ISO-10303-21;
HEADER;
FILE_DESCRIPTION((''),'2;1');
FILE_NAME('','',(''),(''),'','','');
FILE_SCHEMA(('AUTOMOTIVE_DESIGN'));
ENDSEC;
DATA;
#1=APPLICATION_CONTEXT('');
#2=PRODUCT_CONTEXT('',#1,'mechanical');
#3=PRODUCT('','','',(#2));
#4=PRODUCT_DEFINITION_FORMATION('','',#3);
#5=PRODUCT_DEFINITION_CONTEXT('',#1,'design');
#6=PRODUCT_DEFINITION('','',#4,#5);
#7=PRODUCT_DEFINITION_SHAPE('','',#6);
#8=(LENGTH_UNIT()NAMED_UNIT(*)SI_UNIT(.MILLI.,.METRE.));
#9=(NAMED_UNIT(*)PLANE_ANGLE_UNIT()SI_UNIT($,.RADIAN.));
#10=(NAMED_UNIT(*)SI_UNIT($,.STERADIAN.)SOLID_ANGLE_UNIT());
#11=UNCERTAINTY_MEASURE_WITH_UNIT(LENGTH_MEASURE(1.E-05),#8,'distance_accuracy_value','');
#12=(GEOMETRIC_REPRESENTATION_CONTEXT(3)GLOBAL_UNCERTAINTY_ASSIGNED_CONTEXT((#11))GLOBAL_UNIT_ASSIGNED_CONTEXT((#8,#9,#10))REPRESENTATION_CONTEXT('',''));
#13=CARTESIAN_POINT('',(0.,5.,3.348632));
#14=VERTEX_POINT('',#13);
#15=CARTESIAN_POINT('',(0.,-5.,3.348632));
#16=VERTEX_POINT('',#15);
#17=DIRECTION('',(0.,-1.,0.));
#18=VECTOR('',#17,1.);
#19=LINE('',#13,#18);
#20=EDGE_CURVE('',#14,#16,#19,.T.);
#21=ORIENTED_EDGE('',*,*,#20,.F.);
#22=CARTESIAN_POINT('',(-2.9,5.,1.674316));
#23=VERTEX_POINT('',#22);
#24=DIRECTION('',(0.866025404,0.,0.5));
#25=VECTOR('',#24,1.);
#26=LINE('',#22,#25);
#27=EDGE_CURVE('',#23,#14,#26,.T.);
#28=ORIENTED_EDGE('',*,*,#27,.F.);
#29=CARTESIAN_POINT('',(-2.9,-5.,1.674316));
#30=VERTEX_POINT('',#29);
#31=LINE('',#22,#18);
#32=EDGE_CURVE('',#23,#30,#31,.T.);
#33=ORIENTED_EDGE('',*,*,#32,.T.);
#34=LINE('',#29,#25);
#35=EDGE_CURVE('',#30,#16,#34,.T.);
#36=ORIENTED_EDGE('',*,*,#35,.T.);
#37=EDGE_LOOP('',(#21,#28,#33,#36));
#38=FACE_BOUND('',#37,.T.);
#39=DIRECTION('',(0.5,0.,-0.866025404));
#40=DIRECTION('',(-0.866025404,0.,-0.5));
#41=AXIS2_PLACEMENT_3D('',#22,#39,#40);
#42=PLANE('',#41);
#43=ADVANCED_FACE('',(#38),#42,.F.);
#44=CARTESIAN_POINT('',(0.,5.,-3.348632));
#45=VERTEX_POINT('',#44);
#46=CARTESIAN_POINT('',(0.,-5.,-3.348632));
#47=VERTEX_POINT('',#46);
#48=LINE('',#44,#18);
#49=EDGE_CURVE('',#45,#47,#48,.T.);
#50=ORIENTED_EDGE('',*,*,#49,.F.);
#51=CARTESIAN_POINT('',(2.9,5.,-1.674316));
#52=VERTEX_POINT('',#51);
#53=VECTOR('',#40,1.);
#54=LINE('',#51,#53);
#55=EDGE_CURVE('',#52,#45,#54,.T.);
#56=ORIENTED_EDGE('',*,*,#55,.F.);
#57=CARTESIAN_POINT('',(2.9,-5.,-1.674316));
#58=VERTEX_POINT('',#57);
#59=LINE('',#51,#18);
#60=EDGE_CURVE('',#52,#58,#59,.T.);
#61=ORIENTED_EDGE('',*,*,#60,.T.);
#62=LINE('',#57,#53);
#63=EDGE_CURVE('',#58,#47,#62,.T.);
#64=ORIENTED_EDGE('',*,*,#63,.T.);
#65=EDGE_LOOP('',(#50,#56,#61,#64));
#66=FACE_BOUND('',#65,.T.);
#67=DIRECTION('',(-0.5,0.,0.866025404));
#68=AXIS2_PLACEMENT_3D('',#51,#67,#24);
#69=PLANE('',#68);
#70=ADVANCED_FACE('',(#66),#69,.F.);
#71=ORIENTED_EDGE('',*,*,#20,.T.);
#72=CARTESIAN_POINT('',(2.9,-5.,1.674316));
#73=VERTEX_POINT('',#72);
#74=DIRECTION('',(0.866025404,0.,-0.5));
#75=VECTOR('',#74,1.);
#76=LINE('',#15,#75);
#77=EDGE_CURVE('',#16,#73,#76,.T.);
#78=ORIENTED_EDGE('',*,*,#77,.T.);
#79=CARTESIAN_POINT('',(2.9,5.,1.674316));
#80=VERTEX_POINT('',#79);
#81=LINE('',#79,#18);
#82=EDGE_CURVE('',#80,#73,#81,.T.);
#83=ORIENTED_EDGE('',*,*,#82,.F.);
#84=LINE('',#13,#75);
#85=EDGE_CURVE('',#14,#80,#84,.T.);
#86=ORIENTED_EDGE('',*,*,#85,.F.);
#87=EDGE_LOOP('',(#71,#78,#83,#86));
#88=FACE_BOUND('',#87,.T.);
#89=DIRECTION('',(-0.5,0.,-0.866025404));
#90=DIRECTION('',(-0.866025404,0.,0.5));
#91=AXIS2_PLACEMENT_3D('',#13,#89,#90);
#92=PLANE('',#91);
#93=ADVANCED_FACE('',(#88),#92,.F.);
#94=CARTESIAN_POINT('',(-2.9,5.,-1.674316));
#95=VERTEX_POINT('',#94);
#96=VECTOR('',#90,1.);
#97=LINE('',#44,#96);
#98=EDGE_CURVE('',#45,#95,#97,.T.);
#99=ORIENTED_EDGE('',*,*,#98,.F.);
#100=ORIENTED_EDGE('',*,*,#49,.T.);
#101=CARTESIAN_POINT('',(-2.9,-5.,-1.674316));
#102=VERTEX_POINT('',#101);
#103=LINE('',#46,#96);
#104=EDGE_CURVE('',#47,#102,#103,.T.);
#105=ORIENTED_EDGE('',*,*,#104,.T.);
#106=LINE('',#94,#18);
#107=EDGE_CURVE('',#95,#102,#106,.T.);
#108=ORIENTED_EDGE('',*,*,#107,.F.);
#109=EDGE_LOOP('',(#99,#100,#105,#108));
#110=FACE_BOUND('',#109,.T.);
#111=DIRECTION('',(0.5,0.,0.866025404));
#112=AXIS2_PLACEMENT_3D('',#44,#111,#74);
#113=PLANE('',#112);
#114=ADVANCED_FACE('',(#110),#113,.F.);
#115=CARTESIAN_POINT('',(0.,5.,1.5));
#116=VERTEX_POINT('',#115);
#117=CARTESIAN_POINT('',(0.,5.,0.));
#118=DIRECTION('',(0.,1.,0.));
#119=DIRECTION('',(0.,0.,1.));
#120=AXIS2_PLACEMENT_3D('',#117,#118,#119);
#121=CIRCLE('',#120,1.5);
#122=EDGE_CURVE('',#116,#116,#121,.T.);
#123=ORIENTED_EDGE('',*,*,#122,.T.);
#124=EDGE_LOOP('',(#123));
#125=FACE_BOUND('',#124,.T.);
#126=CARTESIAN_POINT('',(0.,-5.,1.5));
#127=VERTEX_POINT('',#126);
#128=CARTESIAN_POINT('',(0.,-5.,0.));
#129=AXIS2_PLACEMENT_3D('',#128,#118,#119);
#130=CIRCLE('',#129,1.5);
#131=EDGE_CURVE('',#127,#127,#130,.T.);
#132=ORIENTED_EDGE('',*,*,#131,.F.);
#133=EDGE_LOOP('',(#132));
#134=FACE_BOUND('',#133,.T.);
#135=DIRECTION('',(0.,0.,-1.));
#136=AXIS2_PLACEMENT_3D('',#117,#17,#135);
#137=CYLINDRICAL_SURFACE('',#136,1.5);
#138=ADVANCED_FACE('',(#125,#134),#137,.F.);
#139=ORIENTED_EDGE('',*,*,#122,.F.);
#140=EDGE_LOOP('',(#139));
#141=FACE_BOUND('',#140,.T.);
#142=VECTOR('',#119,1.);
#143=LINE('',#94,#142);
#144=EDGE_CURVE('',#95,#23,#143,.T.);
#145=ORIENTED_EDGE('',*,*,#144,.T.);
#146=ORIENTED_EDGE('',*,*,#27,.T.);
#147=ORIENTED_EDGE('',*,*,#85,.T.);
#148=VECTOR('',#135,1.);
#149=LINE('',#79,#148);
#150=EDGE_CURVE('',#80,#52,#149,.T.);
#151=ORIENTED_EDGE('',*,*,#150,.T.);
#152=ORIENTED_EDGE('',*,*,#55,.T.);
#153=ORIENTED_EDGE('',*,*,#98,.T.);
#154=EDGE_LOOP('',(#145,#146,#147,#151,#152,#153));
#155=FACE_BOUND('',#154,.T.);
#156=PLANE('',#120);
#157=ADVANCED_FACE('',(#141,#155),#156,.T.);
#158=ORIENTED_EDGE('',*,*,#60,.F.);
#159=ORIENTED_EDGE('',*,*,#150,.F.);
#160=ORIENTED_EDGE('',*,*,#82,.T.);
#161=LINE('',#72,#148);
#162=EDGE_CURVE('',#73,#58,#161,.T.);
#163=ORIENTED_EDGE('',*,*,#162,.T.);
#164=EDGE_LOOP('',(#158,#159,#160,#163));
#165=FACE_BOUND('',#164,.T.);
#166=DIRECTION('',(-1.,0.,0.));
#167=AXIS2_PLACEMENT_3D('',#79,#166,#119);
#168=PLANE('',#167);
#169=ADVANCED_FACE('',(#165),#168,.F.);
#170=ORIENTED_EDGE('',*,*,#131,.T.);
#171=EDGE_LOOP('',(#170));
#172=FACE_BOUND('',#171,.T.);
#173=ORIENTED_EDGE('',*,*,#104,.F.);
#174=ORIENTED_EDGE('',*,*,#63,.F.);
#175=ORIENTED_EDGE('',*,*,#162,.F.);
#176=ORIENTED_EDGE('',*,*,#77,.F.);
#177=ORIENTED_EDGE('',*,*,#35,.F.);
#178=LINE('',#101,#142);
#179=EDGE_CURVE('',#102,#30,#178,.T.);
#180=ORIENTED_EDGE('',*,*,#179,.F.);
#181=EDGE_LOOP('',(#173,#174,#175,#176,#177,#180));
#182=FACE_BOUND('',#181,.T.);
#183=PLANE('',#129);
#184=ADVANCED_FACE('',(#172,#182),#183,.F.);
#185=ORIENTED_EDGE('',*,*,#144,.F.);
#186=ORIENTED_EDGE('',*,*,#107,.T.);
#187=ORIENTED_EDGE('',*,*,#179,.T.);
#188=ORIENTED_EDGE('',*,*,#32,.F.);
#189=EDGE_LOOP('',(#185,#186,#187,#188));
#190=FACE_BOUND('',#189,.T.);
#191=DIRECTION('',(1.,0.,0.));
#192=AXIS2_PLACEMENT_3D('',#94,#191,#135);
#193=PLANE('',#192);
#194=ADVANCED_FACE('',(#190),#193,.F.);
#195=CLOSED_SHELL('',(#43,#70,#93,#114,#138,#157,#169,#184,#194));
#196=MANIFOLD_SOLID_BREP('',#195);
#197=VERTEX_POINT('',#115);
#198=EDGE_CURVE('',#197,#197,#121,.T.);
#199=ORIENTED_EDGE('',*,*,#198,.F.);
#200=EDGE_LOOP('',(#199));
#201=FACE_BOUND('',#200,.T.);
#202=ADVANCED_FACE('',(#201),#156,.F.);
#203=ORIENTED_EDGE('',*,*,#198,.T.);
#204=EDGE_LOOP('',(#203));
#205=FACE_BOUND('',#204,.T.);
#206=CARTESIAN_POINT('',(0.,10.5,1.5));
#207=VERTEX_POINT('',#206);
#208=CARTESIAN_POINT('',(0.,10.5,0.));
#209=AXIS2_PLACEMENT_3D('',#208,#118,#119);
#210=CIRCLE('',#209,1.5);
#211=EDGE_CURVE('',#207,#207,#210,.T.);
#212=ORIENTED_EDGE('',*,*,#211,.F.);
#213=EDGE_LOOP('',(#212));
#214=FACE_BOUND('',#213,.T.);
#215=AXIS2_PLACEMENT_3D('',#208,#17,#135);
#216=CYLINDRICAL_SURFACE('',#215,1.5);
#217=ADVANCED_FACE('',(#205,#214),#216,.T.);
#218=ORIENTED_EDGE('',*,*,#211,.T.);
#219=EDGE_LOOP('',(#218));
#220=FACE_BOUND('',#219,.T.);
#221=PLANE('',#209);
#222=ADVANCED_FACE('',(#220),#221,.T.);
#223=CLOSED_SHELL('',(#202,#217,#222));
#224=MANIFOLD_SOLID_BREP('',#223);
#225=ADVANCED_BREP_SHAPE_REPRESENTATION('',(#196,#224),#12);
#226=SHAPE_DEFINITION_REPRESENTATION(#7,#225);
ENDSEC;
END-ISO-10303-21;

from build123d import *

# Parameters (mm, degrees)
SKETCH1_R           = 1.5
BOSS_EXTRUDE1_DEPTH = 5
SKETCH2_R           = 1.5
BOSS_EXTRUDE2_DEPTH = 5.5


with BuildPart() as part:
    # Sketch1 → Boss-Extrude1 (new, symmetric)
    with BuildSketch(Plane(origin=(0, 0, 0), x_dir=(1, 0, 0), z_dir=(0, 1, 0))):
        Polygon((0, -3.348631561), (2.9, -1.674315781), (2.9, 1.674315781), (0, 3.348631561), (-2.9, 1.674315781), (-2.9, -1.674315781), align=None)
        with Locations(Location((0, 0, 0), (0, 0, 270))):
            Circle(SKETCH1_R, mode=Mode.SUBTRACT)
    extrude(amount=BOSS_EXTRUDE1_DEPTH, both=True)


with BuildPart() as body_2:
    # Sketch2 → Boss-Extrude2 (new body)
    with BuildSketch(Plane(origin=(0, 5, 0), x_dir=(1, 0, 0), z_dir=(0, 1, 0))):
        with Locations(Location((0, 0, 0), (0, 0, 270))):
            Circle(SKETCH2_R)
    extrude(amount=BOSS_EXTRUDE2_DEPTH)


solid = Compound([part.part, body_2.part])
